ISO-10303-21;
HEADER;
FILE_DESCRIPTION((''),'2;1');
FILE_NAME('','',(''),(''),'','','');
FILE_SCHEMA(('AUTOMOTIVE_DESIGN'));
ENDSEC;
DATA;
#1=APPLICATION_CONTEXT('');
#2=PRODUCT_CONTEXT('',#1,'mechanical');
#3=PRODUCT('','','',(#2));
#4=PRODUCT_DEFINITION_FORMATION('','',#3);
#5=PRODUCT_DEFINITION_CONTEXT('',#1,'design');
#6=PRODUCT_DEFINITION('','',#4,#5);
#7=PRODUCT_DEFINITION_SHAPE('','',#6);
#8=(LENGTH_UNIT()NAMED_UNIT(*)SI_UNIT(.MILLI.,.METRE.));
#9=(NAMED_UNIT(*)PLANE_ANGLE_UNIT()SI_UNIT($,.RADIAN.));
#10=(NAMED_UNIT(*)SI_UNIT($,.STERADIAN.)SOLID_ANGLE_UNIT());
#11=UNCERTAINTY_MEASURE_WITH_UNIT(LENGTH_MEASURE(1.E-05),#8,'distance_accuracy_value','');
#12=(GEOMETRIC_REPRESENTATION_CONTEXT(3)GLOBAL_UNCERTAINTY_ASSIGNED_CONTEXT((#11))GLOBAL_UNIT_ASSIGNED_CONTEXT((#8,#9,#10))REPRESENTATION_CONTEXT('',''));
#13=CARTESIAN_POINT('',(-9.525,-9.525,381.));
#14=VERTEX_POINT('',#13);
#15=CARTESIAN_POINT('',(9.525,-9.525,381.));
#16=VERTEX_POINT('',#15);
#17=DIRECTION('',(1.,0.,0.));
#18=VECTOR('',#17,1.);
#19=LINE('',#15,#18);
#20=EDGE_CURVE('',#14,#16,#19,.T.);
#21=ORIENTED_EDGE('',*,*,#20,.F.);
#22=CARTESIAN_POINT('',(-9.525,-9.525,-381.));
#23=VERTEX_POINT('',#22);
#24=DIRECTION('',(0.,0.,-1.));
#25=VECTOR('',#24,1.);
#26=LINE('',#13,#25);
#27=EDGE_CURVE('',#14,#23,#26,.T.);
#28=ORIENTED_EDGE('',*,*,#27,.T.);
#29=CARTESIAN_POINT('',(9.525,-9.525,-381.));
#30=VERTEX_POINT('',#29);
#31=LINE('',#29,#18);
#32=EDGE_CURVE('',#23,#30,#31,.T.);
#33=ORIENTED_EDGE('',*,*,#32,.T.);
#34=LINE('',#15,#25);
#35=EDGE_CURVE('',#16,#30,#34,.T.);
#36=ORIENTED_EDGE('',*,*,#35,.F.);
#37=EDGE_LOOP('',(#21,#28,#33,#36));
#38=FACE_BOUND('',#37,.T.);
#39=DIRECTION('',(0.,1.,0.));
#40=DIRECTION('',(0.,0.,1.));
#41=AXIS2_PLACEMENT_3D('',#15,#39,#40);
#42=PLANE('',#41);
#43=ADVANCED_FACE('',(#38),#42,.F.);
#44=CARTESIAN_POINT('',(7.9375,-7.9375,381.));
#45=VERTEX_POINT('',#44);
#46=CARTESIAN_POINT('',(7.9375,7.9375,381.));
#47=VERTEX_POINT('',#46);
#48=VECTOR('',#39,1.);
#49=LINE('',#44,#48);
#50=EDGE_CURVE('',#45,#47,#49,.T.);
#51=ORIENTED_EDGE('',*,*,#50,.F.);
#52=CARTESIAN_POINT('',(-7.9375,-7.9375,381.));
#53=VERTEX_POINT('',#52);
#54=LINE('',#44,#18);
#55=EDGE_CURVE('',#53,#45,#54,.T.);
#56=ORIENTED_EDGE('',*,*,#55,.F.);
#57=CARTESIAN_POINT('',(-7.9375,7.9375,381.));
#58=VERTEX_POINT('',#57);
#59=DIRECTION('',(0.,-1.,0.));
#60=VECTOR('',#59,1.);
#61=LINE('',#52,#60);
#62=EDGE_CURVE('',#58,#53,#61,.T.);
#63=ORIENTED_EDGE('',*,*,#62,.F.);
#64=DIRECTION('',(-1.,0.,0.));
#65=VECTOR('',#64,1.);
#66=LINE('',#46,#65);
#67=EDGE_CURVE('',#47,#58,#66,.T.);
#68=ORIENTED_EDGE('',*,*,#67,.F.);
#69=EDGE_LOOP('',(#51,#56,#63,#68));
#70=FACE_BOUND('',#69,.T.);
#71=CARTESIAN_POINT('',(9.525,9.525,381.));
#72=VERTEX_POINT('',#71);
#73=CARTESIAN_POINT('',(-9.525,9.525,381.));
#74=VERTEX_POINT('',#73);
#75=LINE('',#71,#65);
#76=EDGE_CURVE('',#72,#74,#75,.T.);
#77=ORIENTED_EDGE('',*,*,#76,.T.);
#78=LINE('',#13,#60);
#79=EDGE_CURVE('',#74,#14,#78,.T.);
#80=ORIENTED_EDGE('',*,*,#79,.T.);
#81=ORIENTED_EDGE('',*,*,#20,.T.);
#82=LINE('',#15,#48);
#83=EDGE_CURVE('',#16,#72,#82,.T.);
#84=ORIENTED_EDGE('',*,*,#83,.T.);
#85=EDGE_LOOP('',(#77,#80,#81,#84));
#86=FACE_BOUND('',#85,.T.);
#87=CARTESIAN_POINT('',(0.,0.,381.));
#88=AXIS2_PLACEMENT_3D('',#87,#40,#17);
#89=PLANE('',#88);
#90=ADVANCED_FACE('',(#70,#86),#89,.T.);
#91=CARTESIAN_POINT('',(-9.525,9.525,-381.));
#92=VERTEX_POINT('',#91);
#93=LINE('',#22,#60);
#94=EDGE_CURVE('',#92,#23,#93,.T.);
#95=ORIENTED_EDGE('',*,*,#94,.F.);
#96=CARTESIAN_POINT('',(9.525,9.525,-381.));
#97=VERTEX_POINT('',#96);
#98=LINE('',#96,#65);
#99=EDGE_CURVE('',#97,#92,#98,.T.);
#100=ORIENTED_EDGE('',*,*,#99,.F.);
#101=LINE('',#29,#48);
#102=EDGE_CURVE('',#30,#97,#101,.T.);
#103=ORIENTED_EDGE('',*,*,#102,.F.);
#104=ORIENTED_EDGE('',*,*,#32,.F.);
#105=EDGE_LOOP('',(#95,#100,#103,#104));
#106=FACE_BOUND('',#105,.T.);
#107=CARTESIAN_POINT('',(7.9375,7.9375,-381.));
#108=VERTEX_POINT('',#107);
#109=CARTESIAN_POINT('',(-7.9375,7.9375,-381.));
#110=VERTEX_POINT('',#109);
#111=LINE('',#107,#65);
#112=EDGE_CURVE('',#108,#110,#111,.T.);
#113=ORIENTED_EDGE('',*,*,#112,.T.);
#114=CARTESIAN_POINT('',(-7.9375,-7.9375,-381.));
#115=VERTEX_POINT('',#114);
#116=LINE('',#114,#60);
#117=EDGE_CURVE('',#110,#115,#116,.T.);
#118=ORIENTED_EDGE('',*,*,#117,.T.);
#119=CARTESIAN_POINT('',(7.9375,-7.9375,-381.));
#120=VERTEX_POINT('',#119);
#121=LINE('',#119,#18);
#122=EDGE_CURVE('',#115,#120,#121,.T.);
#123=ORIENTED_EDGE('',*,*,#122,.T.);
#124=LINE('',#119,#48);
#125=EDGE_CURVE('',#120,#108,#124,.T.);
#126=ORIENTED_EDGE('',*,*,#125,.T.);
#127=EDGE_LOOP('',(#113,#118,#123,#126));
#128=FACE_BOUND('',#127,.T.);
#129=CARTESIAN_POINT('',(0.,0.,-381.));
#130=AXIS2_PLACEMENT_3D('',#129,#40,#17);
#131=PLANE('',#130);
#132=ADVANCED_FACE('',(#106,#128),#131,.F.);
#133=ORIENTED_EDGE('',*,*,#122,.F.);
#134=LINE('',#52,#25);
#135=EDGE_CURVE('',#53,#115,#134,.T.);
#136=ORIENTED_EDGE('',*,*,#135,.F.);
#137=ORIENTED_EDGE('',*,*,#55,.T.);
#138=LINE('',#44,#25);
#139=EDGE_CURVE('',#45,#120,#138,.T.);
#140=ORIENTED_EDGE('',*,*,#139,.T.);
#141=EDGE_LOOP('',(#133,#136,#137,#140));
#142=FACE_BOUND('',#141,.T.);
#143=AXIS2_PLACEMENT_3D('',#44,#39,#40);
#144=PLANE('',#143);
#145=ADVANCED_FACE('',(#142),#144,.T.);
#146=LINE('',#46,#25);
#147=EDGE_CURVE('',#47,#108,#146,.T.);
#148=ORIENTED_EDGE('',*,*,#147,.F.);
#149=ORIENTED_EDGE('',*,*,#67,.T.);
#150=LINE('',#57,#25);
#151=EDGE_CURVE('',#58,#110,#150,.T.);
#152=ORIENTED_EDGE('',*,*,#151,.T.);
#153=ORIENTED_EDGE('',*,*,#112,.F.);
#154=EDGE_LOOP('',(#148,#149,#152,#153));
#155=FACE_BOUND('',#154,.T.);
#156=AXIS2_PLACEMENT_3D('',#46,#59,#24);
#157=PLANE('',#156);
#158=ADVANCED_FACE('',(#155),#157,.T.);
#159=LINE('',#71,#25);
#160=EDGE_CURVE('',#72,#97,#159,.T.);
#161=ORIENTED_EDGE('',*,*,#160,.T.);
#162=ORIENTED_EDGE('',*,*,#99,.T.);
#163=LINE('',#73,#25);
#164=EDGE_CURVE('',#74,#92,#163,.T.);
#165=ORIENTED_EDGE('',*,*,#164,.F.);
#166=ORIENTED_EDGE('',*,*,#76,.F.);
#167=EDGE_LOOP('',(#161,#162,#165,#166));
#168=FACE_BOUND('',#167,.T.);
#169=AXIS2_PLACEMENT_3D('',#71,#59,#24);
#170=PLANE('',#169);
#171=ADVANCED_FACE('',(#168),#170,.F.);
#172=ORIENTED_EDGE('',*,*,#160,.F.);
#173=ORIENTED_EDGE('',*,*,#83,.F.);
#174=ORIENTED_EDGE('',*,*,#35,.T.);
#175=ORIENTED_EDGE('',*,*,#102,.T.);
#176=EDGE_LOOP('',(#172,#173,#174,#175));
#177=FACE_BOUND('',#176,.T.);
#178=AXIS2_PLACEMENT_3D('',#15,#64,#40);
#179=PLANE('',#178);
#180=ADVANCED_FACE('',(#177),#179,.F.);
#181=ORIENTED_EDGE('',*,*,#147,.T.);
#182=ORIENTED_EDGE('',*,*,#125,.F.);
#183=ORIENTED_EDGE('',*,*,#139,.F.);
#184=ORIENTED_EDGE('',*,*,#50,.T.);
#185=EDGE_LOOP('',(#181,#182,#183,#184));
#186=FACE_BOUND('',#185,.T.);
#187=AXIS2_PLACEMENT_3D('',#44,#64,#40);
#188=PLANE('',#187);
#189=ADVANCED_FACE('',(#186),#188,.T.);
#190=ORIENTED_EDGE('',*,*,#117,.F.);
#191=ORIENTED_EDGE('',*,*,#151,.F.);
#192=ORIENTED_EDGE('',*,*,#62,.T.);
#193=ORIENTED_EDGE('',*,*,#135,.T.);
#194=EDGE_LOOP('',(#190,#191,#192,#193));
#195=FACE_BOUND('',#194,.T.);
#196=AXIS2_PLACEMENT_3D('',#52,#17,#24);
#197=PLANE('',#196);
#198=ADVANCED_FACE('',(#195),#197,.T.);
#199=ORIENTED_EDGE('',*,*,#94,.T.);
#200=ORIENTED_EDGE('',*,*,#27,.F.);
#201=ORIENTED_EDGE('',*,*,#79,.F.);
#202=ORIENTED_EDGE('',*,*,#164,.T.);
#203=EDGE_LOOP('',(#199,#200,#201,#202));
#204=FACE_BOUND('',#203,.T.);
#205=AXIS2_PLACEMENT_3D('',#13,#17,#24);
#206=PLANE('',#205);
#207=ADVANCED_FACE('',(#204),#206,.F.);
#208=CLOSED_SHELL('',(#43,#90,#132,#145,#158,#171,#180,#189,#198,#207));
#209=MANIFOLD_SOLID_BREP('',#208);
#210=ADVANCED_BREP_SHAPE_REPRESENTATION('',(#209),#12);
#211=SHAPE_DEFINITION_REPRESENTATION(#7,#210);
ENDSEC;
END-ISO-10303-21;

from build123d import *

# Parameters (mm, degrees)
SKETCH1_W           = 19.05
SKETCH1_H           = 19.05
SKETCH1_W_2         = 15.875
SKETCH1_H_2         = 15.875
BOSS_EXTRUDE1_DEPTH = 381


with BuildPart() as part:
    # Sketch1 → Boss-Extrude1 (new, symmetric)
    with BuildSketch(Plane.XY):
        Rectangle(SKETCH1_W, SKETCH1_H)
        Rectangle(SKETCH1_W_2, SKETCH1_H_2, mode=Mode.SUBTRACT)
    extrude(amount=BOSS_EXTRUDE1_DEPTH, both=True)


solid = part.part
